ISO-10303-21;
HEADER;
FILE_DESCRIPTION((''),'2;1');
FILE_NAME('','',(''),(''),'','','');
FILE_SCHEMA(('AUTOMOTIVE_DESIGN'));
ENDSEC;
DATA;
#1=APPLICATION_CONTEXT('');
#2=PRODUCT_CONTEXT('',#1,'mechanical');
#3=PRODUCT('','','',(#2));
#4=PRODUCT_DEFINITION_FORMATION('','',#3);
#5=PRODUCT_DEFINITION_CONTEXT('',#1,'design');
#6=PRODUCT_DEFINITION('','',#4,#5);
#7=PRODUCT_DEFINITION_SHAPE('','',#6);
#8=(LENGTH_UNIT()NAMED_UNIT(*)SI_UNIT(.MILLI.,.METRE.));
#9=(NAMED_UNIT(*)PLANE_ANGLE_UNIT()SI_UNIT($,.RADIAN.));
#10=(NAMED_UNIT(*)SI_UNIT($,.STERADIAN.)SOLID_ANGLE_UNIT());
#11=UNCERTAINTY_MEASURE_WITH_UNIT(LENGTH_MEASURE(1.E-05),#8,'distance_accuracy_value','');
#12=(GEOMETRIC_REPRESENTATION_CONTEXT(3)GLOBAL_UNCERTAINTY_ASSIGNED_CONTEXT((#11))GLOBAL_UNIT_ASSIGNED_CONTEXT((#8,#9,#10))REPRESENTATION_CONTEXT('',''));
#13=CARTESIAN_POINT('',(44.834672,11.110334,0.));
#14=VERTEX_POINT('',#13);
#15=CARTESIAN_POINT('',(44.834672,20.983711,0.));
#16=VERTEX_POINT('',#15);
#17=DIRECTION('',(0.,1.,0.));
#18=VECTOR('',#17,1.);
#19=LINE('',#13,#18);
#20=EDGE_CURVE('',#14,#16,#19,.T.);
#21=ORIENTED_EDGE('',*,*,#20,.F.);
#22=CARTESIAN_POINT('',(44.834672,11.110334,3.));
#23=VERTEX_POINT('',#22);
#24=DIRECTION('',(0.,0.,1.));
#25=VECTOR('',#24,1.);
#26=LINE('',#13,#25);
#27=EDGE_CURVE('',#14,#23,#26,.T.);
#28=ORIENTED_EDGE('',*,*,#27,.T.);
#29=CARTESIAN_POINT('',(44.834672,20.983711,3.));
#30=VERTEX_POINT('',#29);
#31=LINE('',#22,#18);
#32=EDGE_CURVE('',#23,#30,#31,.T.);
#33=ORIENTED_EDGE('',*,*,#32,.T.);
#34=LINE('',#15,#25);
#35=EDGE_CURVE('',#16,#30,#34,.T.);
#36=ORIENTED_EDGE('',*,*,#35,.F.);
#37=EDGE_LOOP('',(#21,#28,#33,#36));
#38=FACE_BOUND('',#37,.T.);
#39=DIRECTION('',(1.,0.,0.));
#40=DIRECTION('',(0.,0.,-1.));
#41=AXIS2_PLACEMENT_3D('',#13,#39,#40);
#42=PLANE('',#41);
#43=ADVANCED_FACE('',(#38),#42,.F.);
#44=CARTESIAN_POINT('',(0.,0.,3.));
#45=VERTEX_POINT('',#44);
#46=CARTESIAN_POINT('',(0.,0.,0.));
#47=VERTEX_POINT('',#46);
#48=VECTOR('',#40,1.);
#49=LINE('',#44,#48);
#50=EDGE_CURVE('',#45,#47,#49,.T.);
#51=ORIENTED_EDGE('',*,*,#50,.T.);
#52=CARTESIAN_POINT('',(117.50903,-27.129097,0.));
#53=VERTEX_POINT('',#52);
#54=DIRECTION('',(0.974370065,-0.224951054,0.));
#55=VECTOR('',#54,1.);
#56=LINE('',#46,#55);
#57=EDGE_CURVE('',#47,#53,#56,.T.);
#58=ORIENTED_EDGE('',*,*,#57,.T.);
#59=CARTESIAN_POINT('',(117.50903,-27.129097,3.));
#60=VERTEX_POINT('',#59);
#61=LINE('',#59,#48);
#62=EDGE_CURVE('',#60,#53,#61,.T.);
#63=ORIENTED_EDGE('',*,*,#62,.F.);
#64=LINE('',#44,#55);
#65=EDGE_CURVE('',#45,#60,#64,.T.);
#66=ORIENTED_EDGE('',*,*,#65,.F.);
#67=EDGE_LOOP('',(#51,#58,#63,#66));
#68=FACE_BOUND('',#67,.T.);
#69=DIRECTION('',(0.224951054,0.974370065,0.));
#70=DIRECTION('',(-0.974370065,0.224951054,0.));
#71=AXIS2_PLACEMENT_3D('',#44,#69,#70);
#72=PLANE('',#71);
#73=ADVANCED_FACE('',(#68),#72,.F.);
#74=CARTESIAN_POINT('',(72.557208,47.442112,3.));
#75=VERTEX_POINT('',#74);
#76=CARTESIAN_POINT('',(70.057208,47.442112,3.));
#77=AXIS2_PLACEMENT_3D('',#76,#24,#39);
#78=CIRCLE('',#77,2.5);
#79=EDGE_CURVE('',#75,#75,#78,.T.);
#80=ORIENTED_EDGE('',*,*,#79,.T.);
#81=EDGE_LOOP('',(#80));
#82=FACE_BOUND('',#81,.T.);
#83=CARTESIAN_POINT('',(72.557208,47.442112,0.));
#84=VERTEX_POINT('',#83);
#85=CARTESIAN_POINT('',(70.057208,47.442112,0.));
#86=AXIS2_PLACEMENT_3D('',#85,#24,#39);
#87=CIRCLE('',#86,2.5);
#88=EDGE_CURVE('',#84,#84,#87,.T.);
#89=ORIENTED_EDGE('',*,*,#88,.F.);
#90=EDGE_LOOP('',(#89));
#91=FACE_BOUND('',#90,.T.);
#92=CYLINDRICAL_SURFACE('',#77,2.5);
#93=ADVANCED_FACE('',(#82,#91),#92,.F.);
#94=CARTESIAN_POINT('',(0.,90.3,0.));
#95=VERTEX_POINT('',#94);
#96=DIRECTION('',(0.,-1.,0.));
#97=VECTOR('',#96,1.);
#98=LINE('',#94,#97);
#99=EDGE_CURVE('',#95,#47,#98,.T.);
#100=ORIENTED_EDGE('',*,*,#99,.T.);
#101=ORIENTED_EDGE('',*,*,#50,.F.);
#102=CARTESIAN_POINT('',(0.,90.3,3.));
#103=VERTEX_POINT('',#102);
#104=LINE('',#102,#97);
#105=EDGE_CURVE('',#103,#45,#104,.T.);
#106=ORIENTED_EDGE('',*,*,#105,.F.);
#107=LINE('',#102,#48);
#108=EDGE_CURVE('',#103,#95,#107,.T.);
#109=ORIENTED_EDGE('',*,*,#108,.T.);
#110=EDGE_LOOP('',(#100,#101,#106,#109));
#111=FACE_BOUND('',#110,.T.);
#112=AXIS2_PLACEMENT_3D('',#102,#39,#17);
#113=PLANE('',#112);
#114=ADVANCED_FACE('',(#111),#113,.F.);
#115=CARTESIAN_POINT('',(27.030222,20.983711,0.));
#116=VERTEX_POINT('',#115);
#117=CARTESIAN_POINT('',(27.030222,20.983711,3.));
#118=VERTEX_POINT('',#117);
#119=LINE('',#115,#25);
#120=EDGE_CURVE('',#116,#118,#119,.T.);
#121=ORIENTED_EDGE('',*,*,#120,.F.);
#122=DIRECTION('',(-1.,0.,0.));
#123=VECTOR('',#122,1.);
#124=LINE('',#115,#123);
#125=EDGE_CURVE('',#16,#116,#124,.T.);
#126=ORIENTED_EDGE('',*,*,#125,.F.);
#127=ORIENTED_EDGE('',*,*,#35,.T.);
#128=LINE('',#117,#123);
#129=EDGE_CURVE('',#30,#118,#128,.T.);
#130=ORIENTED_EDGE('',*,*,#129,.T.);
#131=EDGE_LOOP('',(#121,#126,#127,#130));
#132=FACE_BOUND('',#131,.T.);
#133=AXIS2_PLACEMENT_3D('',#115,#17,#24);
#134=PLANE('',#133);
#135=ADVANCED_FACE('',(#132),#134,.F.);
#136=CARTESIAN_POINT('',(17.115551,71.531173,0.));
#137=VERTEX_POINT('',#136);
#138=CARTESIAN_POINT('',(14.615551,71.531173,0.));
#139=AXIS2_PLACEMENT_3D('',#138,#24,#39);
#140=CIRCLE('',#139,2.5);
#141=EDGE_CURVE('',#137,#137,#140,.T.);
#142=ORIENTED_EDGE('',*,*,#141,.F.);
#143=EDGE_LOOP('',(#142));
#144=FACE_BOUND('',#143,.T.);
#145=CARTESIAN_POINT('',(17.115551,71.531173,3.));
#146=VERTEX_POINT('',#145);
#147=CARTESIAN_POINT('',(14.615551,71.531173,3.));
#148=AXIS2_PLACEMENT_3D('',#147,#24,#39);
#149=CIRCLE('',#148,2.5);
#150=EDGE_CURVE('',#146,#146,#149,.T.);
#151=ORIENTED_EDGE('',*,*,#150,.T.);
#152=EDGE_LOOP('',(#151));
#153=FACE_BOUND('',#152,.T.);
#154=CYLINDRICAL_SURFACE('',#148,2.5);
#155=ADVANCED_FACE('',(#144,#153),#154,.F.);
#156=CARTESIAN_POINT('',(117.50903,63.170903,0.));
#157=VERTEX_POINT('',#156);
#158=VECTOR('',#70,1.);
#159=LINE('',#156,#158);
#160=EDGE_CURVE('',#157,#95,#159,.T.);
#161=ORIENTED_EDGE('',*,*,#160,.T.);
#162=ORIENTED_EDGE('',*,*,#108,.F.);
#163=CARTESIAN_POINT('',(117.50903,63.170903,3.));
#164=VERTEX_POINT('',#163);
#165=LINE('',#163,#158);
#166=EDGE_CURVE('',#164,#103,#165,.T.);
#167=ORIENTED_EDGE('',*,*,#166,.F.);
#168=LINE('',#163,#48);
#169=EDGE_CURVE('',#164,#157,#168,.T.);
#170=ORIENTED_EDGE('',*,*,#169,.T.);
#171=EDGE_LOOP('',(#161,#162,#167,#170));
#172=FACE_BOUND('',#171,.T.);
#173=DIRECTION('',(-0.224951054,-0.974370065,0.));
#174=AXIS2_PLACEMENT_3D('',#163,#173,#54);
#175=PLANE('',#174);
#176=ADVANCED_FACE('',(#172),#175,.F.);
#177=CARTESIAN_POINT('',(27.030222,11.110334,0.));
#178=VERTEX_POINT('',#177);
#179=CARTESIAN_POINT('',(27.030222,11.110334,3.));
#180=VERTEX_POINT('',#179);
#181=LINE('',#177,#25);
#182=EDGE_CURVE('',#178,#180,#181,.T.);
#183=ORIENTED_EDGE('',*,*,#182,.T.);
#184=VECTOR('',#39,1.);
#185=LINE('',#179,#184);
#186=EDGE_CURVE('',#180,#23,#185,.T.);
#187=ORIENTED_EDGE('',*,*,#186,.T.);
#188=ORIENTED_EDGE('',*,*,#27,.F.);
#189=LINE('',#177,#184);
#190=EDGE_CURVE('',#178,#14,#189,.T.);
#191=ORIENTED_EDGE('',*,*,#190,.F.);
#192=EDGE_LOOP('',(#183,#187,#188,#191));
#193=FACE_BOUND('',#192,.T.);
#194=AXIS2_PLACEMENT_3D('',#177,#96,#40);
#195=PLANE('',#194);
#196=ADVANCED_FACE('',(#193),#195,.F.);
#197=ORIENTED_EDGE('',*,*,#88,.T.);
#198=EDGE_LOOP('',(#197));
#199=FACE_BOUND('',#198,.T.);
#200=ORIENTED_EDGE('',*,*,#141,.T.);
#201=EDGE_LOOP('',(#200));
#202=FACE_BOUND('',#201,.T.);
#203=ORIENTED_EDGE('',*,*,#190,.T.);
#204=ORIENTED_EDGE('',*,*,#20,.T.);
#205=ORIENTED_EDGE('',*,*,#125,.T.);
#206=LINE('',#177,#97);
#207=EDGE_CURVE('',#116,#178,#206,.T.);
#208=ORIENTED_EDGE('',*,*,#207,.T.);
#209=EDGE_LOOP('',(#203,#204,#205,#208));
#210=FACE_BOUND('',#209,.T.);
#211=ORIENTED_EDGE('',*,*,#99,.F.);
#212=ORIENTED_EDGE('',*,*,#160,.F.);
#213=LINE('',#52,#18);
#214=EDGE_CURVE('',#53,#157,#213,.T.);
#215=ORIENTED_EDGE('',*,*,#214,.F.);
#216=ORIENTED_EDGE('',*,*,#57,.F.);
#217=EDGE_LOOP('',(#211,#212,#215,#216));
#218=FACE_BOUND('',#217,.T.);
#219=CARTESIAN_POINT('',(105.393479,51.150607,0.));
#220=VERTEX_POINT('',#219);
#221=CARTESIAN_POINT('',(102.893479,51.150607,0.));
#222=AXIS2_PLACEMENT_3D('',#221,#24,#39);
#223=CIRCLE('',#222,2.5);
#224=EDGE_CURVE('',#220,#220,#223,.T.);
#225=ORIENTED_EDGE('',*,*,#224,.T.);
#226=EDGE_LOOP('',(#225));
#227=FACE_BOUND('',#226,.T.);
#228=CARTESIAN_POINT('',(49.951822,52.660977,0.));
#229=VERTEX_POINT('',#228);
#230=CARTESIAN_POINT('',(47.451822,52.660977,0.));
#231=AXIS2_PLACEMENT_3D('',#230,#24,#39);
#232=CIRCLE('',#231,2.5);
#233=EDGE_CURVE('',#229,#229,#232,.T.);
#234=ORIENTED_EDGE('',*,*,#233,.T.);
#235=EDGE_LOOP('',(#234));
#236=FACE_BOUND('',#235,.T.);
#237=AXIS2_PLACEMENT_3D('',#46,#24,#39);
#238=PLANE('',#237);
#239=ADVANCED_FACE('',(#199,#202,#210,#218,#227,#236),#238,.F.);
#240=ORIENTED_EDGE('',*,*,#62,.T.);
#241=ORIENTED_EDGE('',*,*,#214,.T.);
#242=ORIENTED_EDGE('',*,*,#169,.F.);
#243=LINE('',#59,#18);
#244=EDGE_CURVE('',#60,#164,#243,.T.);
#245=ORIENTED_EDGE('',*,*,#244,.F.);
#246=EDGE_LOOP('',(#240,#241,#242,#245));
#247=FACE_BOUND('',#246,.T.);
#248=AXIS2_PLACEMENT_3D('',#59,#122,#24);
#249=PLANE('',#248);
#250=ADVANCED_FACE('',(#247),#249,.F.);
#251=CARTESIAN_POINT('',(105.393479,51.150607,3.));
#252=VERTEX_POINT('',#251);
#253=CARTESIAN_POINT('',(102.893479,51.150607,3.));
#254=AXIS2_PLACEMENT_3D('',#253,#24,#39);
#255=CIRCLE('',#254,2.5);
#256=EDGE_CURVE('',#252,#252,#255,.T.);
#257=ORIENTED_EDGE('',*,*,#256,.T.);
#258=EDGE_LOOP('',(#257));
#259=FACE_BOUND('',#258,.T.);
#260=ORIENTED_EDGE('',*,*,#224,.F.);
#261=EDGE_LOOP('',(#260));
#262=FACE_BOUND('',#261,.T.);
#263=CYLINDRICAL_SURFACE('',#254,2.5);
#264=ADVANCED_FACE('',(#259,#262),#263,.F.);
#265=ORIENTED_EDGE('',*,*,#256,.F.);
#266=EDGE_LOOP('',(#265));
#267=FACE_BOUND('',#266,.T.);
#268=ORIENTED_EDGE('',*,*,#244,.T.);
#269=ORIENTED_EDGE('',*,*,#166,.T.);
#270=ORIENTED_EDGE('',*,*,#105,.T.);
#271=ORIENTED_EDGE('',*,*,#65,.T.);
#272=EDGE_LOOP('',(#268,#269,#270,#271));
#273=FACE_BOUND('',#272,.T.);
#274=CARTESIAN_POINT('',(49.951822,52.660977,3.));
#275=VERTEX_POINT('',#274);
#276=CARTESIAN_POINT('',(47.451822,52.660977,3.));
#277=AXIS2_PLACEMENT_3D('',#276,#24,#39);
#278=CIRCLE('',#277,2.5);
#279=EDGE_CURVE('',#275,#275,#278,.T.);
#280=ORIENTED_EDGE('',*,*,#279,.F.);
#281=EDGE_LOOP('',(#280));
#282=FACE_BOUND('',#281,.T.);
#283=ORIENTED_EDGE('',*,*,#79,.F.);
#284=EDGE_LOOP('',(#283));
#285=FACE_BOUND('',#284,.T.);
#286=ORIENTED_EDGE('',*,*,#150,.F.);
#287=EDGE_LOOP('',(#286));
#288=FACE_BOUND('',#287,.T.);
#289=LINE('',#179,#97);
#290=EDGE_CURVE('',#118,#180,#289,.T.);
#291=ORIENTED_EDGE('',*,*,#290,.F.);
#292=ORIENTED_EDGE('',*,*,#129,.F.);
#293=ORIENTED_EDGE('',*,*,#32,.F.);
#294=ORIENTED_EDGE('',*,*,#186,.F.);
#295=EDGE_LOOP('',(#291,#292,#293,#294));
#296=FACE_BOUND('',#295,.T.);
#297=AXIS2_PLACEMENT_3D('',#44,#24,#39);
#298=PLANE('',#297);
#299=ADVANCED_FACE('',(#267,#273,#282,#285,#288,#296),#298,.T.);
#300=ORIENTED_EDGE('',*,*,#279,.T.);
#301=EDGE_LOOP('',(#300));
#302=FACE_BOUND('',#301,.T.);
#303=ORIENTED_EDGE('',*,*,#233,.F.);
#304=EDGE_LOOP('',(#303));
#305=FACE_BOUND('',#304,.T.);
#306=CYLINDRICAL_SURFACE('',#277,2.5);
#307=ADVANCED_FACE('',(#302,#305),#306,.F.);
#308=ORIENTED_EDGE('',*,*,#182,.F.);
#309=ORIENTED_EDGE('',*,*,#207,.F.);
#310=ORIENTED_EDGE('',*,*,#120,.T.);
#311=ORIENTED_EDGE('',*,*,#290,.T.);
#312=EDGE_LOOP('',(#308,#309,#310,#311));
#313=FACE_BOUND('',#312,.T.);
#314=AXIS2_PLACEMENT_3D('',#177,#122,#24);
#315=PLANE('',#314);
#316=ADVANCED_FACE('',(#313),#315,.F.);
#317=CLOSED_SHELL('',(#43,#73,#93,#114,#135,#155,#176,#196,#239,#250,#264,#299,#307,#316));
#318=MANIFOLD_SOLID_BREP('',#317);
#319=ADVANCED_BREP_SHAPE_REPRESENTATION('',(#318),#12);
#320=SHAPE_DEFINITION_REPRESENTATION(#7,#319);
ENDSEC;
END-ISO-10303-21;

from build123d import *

# Parameters (mm, degrees)
RESSALTO_EXTRUS_O1_DEPTH                = 3
BROCA_DE_ROSQUEAR_PARA_TARRAXA_DE_M61_D = 5
ESBO_O4_W                               = 17.804449836
ESBO_O4_H                               = 9.873376728
CORTE_EXTRUS_O1_DEPTH                   = 149.227737241


with BuildPart() as part:
    # Esboço1 → Ressalto-extrusão1 (new body)
    with BuildSketch(Plane.XY):
        Polygon((0, 0), (117.509029813, -27.129097154), (117.509029813, 63.170902846), (0, 90.3), align=None)
    extrude(amount=RESSALTO_EXTRUS_O1_DEPTH)

    # Broca de rosquear para tarraxa de M61 (through all)
    with Locations(Plane.XY.offset(3)):
        with Locations((14.615550972, 71.531172568), (102.893478841, 51.150607044), (70.057207658, 47.44211239), (47.451822155, 52.660976851)):
            Hole(BROCA_DE_ROSQUEAR_PARA_TARRAXA_DE_M61_D / 2)

    # Esboço4 → Corte-extrusão1 (cut, through all)
    with BuildSketch(Plane.XY.offset(3)):
        with Locations((35.932447389, 16.047022475)):
            Rectangle(ESBO_O4_W, ESBO_O4_H)
    extrude(amount=-CORTE_EXTRUS_O1_DEPTH, mode=Mode.SUBTRACT)


solid = part.part
